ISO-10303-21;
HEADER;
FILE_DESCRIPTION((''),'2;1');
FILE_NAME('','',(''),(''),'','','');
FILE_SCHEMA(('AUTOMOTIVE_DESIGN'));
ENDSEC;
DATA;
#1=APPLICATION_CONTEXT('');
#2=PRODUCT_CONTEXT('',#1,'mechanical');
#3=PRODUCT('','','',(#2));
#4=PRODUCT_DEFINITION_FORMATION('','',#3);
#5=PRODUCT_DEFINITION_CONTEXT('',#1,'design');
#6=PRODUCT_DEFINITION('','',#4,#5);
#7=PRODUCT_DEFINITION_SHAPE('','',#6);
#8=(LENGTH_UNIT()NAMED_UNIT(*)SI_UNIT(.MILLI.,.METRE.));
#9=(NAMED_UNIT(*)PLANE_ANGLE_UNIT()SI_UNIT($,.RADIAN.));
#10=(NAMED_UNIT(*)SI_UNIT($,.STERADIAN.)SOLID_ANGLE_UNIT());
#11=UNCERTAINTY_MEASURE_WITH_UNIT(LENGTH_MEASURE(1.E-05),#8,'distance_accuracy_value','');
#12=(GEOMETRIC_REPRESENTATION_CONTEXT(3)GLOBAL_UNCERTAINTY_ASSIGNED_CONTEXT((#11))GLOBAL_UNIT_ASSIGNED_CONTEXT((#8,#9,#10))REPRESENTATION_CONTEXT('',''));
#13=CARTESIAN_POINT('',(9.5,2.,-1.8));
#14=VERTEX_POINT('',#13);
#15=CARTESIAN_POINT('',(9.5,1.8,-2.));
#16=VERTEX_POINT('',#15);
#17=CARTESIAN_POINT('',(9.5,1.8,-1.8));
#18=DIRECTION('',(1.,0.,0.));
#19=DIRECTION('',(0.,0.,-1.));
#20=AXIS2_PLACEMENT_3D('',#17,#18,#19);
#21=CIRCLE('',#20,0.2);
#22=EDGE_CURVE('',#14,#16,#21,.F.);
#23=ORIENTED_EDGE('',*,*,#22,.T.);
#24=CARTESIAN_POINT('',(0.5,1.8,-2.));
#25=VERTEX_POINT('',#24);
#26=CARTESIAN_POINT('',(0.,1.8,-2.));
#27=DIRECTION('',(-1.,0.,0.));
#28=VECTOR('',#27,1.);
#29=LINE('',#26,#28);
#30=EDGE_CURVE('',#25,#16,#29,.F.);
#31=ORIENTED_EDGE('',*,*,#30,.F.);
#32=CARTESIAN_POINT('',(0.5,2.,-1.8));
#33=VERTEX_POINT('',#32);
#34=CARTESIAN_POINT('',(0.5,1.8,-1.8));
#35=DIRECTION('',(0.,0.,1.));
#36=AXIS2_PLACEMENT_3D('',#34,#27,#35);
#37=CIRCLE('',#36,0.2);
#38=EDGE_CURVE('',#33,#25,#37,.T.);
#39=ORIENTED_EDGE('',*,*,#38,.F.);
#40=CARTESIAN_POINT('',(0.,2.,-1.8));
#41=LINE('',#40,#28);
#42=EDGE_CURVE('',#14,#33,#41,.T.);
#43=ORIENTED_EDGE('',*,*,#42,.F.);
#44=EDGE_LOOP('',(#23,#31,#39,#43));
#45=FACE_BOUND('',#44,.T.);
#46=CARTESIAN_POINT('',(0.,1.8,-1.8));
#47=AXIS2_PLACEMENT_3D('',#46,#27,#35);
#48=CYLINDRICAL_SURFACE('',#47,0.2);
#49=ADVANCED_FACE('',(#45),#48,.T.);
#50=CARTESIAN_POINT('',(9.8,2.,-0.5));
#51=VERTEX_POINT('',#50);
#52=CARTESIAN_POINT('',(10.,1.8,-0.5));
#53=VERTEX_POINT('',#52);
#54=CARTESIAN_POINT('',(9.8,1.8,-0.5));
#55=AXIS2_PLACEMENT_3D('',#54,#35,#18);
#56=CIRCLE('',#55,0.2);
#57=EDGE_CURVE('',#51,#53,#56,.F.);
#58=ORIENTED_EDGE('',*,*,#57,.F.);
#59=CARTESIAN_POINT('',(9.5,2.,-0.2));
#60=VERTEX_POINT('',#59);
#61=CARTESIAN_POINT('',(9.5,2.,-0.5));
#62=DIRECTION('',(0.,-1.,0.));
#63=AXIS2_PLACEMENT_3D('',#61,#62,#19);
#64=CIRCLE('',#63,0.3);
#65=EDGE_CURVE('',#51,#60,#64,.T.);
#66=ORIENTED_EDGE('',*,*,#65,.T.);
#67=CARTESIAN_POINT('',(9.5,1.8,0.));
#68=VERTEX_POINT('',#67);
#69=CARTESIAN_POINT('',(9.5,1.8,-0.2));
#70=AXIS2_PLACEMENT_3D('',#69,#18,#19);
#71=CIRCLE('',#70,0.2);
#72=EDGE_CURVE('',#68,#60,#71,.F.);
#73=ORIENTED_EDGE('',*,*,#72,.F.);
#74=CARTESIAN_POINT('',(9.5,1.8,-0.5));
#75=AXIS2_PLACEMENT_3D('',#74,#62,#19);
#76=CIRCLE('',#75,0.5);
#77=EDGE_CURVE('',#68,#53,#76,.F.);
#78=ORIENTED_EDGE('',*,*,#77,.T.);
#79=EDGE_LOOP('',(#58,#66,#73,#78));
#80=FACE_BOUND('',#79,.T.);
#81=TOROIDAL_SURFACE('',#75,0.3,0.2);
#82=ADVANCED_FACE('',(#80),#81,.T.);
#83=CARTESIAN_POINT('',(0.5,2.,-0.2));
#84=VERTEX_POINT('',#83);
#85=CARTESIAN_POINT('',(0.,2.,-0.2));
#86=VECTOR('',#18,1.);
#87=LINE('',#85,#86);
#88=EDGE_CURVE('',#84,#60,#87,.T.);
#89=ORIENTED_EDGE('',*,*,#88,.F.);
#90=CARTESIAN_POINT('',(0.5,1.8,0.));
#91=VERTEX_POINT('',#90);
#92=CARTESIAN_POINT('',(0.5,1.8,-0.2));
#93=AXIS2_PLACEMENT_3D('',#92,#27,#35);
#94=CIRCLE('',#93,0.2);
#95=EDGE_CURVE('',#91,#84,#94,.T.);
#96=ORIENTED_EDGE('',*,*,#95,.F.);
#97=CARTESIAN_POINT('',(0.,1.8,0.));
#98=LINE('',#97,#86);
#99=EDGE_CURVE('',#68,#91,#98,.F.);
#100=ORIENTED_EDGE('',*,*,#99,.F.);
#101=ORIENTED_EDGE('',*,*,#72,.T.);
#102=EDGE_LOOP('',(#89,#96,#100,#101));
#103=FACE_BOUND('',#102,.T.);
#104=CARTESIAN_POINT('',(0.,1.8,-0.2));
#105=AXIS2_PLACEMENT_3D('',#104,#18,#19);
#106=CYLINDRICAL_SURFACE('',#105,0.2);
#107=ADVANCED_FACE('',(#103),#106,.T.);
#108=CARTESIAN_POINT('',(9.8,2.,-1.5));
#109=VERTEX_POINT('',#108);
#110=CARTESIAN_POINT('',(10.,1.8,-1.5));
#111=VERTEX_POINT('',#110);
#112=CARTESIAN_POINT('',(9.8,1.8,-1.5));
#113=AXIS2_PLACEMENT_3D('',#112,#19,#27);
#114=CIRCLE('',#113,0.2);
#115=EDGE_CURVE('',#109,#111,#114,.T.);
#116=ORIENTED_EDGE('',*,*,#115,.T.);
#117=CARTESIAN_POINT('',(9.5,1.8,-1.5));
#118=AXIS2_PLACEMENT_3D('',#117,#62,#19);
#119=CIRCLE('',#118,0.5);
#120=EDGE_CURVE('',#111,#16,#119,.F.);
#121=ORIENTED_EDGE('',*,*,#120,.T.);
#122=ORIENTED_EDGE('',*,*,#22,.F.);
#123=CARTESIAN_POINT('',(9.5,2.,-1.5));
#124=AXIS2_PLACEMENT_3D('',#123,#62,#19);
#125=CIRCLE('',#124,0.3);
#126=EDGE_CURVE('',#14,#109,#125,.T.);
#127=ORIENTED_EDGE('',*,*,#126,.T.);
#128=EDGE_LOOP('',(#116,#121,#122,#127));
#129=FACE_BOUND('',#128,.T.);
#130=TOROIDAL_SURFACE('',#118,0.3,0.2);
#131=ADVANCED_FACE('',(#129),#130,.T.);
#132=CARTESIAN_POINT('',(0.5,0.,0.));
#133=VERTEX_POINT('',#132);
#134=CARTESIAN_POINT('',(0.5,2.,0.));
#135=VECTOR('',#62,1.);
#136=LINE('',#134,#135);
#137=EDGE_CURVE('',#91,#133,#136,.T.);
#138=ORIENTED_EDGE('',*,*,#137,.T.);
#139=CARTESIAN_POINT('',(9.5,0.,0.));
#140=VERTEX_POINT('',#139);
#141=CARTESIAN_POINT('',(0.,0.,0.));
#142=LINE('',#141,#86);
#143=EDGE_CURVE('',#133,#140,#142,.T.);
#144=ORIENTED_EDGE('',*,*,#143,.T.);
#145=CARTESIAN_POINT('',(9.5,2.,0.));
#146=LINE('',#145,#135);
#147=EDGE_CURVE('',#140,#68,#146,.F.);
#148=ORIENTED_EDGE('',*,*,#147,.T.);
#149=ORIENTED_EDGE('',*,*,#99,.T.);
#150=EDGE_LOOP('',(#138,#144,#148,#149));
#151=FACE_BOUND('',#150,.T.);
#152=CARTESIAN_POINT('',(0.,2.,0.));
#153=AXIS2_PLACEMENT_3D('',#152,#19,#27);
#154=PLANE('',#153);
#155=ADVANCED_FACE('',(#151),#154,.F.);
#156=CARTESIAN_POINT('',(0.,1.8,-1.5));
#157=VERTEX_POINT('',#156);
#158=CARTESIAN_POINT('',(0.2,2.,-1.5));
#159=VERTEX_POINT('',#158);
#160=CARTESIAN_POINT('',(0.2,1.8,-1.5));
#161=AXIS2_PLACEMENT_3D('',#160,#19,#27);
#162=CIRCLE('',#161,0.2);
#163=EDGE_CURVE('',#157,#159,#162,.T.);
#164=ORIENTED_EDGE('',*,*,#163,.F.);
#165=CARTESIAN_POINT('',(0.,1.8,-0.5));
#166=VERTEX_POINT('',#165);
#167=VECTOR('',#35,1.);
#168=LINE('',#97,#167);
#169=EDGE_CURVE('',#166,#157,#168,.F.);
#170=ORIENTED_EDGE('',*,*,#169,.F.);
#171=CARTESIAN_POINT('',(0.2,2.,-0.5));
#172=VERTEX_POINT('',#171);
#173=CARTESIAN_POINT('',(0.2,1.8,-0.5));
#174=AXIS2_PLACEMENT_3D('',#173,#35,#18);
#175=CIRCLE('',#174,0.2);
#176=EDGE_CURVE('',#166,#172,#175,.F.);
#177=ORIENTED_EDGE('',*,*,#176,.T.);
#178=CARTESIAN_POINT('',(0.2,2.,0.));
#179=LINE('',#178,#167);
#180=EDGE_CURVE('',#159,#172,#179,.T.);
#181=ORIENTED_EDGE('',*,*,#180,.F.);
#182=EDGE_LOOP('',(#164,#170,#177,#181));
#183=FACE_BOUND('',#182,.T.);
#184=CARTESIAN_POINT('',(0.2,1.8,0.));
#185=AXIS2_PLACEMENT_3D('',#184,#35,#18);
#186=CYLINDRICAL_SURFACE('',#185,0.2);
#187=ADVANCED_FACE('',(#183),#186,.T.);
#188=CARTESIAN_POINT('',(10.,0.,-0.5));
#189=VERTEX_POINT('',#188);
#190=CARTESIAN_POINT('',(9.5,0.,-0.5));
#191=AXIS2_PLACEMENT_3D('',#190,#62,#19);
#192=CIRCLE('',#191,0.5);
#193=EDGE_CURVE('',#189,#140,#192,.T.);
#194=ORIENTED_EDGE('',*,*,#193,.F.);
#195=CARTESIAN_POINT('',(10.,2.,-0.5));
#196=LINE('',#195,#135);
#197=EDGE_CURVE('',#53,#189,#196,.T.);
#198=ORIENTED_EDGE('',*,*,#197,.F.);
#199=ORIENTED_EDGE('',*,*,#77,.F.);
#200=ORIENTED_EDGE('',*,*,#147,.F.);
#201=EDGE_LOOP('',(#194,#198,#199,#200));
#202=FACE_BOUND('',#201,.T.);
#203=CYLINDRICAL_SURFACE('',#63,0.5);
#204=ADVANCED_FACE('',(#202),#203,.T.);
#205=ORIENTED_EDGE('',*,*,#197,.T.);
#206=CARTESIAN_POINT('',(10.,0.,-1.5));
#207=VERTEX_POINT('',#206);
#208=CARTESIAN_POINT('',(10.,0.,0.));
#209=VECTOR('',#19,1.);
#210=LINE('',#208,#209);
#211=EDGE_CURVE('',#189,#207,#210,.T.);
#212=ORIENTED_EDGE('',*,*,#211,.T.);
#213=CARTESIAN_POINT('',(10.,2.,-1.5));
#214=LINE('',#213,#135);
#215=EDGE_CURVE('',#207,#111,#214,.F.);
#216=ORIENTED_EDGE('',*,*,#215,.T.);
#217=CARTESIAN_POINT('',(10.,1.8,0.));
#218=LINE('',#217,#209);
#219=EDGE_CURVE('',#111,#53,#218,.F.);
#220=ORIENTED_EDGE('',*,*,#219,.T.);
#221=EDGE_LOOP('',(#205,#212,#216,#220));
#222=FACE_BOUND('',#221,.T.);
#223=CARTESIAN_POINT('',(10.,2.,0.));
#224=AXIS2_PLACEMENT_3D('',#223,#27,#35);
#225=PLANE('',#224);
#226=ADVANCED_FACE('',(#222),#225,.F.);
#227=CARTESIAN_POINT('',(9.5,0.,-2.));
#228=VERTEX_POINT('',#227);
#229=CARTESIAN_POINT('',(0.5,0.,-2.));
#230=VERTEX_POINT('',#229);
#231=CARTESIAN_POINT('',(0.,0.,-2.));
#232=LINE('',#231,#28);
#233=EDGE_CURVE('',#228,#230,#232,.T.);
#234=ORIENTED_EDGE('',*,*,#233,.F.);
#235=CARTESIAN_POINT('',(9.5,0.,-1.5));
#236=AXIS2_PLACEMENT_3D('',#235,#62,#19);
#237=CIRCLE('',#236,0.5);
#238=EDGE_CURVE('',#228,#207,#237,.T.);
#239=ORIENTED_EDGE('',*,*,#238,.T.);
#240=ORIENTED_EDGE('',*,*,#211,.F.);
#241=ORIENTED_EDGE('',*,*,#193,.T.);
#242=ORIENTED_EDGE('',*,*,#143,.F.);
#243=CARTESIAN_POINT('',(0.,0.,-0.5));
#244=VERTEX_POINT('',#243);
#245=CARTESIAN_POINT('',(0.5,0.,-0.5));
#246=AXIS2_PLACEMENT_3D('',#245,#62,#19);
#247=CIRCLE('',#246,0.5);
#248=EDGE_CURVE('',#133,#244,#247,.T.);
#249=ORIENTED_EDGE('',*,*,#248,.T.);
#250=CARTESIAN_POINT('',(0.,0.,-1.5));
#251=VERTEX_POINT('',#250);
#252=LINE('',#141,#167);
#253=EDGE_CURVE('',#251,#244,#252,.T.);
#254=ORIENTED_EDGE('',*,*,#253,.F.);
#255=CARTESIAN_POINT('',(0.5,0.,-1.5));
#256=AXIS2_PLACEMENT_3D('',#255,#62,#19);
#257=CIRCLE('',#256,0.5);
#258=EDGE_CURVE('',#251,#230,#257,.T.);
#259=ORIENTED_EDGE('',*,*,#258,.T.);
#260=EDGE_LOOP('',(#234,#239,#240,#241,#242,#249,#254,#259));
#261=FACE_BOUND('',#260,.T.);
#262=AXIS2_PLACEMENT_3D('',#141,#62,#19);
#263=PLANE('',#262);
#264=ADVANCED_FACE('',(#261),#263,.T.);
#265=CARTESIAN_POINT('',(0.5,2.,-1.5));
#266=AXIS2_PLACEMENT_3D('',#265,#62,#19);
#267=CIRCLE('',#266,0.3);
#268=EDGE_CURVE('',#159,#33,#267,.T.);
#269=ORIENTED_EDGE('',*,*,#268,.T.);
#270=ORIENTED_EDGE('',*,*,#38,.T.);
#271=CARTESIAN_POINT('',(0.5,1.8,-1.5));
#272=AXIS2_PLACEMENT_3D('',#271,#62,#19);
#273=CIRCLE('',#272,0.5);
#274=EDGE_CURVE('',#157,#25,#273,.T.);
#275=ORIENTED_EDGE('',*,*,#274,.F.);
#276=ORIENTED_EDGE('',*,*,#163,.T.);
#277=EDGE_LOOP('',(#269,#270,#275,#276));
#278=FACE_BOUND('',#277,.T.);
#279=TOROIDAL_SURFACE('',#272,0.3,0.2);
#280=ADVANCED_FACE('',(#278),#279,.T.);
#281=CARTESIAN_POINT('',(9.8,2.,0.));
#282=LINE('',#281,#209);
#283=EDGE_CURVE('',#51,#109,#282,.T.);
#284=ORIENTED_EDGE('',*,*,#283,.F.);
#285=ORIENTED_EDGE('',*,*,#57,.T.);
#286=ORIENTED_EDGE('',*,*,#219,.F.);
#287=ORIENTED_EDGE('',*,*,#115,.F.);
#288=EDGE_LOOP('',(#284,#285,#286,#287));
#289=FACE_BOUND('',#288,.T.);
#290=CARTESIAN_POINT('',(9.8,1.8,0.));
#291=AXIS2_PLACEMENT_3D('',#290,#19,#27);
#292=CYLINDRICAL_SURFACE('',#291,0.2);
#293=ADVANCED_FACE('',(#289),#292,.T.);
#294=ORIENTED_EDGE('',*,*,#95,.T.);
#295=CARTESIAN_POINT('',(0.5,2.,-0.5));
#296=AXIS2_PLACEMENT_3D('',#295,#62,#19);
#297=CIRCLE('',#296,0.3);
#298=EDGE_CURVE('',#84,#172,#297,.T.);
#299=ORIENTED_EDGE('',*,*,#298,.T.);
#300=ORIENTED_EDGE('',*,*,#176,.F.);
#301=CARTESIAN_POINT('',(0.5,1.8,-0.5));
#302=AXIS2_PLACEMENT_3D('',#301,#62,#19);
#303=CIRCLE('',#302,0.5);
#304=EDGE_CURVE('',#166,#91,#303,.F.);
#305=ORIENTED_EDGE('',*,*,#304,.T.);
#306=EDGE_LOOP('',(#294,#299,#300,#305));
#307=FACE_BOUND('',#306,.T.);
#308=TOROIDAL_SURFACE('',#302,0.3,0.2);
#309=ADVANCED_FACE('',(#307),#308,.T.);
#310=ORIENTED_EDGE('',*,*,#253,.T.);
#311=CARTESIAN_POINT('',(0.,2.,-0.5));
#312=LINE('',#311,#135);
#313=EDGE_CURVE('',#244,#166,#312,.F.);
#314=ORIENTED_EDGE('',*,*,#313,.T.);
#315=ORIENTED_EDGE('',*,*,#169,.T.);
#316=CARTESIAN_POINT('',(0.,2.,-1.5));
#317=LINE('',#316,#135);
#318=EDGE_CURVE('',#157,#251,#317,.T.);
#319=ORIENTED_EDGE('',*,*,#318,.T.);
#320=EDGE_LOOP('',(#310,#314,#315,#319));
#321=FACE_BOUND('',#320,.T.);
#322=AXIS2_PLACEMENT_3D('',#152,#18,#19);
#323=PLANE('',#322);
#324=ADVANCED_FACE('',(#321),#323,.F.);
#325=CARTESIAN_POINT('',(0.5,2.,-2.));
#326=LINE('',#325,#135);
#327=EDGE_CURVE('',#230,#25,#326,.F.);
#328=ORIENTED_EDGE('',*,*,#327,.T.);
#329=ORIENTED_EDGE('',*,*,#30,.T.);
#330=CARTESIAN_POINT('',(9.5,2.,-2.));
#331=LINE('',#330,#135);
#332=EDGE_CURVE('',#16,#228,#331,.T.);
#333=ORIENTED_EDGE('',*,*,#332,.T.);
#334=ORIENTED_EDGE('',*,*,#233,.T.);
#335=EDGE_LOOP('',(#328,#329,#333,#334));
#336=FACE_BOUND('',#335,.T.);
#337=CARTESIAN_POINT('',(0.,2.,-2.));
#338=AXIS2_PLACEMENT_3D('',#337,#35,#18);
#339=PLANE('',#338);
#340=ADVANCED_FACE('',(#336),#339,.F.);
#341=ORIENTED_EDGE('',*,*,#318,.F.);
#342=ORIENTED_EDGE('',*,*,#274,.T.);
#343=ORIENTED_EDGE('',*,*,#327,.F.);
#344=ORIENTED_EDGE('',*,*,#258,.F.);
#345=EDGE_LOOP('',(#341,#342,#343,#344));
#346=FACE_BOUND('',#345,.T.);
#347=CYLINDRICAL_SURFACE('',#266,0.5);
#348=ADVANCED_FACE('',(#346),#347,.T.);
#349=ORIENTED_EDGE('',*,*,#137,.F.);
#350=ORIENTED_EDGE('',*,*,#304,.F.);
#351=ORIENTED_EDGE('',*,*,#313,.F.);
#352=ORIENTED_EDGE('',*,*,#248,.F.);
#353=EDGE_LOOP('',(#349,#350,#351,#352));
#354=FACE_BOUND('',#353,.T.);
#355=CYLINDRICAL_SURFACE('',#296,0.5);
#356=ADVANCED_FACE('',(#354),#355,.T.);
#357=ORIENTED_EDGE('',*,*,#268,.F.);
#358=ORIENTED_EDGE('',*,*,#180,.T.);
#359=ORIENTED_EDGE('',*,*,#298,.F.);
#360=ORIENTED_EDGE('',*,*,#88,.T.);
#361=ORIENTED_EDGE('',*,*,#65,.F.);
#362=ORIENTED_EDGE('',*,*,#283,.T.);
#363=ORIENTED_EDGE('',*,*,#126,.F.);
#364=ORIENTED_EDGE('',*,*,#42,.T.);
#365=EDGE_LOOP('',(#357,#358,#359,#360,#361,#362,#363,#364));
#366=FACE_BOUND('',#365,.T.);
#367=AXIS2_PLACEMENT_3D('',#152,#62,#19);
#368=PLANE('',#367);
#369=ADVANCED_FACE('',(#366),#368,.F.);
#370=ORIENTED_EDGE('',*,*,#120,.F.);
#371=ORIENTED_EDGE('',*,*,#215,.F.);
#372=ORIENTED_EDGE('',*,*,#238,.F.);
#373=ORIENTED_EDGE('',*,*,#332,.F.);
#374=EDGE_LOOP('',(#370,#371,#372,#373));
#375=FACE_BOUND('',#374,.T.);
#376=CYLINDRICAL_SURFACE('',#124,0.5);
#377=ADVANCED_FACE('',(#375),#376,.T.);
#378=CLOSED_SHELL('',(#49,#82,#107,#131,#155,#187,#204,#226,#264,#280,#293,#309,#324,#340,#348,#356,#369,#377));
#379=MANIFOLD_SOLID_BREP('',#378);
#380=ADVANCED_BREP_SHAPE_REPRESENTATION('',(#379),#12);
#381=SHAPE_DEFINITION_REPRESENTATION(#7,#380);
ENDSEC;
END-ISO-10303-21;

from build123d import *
from OCP.BRepFilletAPI import BRepFilletAPI_MakeFillet

# Parameters (mm, degrees)
SKETCH1_W           = 10
SKETCH1_H           = 2
BOSS_EXTRUDE1_DEPTH = 2
FILLET1_R1          = 0.2
FILLET1_R2          = 0.5


with BuildPart() as part:
    # Sketch1 → Boss-Extrude1 (new body)
    with BuildSketch(Plane(origin=(0, 0, 0), x_dir=(1, 0, 0), z_dir=(0, 1, 0))):
        with Locations((5, 1)):
            Rectangle(SKETCH1_W, SKETCH1_H)
    extrude(amount=BOSS_EXTRUDE1_DEPTH)

    # Fillet1: one fillet with a radius per group of edges: ONE call of the kernel's fillet builder (fillet() takes one radius for all edges)
    fillet1_edges_1 = [part.edges().sort_by_distance(p)[0] for p in [
        (10, 2, -1),
        (5, 2, -2),
        (0, 2, -1),
        (5, 2, 0),
    ]]
    fillet1_edges_2 = [part.edges().sort_by_distance(p)[0] for p in [
        (0, 1, -2),
        (10, 1, -2),
        (10, 1, 0),
        (0, 1, 0),
    ]]
    fillet1 = BRepFilletAPI_MakeFillet(part.part.solid().wrapped)
    for e in fillet1_edges_1:
        fillet1.Add(FILLET1_R1, e.wrapped)
    for e in fillet1_edges_2:
        fillet1.Add(FILLET1_R2, e.wrapped)
    add(Compound.cast(fillet1.Shape()), mode=Mode.REPLACE)


solid = part.part
